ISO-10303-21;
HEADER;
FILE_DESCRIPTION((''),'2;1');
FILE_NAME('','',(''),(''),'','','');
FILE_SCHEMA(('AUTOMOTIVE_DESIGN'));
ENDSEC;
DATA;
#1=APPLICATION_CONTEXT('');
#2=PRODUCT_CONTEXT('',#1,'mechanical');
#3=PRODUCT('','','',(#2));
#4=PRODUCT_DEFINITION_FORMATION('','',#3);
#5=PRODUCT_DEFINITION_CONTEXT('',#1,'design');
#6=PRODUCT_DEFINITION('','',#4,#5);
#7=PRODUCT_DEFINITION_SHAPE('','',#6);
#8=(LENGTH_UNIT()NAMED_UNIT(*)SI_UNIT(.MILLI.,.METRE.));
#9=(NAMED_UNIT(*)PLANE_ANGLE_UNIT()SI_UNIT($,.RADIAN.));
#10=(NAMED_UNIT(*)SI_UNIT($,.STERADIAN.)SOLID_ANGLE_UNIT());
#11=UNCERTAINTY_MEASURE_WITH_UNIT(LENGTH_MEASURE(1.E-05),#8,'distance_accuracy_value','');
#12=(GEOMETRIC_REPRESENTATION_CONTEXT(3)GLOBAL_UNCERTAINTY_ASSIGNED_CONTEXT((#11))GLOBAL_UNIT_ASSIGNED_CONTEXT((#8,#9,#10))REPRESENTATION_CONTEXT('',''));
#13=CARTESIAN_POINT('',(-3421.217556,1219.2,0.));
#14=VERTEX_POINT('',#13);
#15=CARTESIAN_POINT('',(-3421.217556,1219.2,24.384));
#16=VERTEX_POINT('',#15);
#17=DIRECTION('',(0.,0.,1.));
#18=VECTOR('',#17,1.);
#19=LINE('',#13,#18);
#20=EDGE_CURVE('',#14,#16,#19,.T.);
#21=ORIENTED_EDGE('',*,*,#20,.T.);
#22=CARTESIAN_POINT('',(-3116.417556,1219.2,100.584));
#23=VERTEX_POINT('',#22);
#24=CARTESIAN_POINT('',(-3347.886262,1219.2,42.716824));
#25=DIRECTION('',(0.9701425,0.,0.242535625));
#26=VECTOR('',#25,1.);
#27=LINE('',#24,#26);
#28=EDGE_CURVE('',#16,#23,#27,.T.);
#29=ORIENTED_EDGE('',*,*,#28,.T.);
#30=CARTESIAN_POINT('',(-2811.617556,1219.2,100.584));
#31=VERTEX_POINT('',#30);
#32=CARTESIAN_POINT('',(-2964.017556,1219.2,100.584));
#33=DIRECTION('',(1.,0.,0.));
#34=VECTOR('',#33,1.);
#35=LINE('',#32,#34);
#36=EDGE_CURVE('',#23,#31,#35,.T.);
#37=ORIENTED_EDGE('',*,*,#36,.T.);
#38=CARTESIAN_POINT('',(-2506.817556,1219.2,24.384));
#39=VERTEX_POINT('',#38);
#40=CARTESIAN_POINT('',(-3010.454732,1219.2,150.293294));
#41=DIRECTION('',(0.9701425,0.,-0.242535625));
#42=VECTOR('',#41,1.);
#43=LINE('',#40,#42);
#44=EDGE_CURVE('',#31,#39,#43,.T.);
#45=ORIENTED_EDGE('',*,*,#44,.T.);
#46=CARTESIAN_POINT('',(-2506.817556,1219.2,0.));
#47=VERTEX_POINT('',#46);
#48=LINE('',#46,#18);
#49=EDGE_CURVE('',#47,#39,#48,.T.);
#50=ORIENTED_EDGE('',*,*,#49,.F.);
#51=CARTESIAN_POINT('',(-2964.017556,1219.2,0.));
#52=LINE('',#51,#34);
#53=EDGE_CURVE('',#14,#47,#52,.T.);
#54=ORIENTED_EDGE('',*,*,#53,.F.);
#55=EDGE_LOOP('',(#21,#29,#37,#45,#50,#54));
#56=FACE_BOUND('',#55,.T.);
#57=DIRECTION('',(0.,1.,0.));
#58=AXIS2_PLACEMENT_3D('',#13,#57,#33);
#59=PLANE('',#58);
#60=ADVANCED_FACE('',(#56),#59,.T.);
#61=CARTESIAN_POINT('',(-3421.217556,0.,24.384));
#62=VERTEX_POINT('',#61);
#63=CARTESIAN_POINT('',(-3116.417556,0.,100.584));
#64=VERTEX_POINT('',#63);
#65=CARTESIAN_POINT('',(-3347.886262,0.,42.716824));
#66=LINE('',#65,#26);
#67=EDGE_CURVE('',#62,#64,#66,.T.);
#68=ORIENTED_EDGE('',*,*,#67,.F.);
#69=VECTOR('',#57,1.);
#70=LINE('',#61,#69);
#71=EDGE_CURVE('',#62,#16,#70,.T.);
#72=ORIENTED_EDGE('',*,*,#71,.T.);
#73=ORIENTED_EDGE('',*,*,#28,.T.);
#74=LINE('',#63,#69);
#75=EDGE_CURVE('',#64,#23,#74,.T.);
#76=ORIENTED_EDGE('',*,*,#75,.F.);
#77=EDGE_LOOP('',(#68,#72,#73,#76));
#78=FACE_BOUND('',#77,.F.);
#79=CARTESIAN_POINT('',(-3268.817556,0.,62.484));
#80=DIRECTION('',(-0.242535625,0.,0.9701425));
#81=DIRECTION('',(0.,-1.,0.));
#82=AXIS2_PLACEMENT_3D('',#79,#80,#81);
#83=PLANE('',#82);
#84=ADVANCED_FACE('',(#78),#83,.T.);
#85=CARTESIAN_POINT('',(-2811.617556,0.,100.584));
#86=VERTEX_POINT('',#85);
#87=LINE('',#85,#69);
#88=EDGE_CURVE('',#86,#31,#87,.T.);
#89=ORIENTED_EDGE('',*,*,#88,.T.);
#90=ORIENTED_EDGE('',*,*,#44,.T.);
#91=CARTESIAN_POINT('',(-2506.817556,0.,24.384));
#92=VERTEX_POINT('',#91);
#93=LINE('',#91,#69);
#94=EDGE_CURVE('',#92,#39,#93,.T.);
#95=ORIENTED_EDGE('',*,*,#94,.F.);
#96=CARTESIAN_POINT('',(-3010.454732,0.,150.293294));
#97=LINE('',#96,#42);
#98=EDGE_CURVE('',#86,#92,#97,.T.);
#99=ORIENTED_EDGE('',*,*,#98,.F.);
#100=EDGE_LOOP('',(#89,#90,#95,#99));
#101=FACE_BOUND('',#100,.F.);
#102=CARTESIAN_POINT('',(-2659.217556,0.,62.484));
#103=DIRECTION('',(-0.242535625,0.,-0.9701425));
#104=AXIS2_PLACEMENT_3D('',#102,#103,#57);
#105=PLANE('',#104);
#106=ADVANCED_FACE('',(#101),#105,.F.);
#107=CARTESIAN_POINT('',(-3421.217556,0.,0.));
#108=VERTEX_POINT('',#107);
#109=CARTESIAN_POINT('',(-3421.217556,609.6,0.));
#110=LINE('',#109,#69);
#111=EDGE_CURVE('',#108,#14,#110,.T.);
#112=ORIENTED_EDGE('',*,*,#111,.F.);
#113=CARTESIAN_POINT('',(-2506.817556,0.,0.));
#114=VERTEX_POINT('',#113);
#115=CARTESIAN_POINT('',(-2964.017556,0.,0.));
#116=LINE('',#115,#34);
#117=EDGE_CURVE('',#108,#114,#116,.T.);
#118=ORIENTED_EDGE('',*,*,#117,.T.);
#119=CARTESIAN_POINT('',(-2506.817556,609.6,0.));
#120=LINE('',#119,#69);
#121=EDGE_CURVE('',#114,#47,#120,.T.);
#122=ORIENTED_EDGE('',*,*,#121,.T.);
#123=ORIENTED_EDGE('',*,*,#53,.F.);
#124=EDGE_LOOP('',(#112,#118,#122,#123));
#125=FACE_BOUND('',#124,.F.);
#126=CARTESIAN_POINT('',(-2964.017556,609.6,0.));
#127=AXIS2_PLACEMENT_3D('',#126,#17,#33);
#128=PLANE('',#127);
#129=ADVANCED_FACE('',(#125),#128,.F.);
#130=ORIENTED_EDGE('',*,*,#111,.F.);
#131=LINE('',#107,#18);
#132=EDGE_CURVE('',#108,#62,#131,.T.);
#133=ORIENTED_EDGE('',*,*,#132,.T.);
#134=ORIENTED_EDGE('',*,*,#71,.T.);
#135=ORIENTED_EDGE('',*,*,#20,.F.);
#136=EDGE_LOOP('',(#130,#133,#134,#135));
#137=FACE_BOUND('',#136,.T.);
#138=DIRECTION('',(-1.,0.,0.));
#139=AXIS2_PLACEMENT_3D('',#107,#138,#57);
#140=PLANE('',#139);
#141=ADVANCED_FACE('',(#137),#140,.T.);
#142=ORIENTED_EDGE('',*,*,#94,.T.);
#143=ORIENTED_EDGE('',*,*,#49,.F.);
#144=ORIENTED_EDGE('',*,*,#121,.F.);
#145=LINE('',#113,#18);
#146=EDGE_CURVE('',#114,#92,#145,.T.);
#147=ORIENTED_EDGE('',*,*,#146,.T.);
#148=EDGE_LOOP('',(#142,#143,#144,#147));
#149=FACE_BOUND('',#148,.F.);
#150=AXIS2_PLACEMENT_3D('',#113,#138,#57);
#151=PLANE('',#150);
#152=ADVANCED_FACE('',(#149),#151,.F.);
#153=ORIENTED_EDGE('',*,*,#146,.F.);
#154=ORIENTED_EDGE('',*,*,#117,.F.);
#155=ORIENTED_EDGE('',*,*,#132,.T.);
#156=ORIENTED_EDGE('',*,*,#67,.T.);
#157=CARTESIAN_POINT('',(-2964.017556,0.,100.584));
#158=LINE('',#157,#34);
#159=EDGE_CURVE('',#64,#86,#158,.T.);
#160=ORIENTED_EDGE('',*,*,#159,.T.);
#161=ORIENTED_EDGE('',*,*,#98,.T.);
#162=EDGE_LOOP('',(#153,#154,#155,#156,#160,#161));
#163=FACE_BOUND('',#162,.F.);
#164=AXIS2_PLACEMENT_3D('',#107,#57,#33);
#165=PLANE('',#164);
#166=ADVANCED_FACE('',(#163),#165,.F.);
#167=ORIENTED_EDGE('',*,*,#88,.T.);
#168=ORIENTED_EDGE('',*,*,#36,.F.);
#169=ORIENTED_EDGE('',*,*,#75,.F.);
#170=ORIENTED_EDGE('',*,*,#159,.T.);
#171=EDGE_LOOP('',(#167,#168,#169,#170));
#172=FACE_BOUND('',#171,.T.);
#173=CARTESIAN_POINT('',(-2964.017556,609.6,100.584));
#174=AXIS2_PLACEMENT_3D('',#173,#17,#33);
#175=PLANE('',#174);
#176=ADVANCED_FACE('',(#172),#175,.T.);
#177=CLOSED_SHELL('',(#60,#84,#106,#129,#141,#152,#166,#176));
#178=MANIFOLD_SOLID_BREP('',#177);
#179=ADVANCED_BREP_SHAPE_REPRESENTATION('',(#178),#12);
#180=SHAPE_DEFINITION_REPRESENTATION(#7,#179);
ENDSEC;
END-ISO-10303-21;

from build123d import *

# Parameters (mm, degrees)
F0_W     = 914.4
F0_H     = 1219.2
F1_DEPTH = 100.584
F2_SIZE2 = 304.8
F2_SIZE  = 76.2
F3_SIZE2 = 76.2
F3_SIZE  = 304.8


with BuildPart() as f1:
    # F0 (on Top) → F1 (new body)
    with BuildSketch(Plane.XY):
        with Locations((-2964.017556, 609.6)):
            Rectangle(F0_W, F0_H)
    extrude(amount=F1_DEPTH)

    # F2
    f2_edges = [f1.edges().sort_by_distance(p)[0] for p in [
        (-3421.217556, 609.6, 100.584),
    ]]
    chamfer(f2_edges, length=F2_SIZE, length2=F2_SIZE2)

    # F3
    f3_edges = [f1.edges().sort_by_distance(p)[0] for p in [
        (-2506.817556, 609.6, 100.584),
    ]]
    chamfer(f3_edges, length=F3_SIZE, length2=F3_SIZE2)


solid = f1.part
